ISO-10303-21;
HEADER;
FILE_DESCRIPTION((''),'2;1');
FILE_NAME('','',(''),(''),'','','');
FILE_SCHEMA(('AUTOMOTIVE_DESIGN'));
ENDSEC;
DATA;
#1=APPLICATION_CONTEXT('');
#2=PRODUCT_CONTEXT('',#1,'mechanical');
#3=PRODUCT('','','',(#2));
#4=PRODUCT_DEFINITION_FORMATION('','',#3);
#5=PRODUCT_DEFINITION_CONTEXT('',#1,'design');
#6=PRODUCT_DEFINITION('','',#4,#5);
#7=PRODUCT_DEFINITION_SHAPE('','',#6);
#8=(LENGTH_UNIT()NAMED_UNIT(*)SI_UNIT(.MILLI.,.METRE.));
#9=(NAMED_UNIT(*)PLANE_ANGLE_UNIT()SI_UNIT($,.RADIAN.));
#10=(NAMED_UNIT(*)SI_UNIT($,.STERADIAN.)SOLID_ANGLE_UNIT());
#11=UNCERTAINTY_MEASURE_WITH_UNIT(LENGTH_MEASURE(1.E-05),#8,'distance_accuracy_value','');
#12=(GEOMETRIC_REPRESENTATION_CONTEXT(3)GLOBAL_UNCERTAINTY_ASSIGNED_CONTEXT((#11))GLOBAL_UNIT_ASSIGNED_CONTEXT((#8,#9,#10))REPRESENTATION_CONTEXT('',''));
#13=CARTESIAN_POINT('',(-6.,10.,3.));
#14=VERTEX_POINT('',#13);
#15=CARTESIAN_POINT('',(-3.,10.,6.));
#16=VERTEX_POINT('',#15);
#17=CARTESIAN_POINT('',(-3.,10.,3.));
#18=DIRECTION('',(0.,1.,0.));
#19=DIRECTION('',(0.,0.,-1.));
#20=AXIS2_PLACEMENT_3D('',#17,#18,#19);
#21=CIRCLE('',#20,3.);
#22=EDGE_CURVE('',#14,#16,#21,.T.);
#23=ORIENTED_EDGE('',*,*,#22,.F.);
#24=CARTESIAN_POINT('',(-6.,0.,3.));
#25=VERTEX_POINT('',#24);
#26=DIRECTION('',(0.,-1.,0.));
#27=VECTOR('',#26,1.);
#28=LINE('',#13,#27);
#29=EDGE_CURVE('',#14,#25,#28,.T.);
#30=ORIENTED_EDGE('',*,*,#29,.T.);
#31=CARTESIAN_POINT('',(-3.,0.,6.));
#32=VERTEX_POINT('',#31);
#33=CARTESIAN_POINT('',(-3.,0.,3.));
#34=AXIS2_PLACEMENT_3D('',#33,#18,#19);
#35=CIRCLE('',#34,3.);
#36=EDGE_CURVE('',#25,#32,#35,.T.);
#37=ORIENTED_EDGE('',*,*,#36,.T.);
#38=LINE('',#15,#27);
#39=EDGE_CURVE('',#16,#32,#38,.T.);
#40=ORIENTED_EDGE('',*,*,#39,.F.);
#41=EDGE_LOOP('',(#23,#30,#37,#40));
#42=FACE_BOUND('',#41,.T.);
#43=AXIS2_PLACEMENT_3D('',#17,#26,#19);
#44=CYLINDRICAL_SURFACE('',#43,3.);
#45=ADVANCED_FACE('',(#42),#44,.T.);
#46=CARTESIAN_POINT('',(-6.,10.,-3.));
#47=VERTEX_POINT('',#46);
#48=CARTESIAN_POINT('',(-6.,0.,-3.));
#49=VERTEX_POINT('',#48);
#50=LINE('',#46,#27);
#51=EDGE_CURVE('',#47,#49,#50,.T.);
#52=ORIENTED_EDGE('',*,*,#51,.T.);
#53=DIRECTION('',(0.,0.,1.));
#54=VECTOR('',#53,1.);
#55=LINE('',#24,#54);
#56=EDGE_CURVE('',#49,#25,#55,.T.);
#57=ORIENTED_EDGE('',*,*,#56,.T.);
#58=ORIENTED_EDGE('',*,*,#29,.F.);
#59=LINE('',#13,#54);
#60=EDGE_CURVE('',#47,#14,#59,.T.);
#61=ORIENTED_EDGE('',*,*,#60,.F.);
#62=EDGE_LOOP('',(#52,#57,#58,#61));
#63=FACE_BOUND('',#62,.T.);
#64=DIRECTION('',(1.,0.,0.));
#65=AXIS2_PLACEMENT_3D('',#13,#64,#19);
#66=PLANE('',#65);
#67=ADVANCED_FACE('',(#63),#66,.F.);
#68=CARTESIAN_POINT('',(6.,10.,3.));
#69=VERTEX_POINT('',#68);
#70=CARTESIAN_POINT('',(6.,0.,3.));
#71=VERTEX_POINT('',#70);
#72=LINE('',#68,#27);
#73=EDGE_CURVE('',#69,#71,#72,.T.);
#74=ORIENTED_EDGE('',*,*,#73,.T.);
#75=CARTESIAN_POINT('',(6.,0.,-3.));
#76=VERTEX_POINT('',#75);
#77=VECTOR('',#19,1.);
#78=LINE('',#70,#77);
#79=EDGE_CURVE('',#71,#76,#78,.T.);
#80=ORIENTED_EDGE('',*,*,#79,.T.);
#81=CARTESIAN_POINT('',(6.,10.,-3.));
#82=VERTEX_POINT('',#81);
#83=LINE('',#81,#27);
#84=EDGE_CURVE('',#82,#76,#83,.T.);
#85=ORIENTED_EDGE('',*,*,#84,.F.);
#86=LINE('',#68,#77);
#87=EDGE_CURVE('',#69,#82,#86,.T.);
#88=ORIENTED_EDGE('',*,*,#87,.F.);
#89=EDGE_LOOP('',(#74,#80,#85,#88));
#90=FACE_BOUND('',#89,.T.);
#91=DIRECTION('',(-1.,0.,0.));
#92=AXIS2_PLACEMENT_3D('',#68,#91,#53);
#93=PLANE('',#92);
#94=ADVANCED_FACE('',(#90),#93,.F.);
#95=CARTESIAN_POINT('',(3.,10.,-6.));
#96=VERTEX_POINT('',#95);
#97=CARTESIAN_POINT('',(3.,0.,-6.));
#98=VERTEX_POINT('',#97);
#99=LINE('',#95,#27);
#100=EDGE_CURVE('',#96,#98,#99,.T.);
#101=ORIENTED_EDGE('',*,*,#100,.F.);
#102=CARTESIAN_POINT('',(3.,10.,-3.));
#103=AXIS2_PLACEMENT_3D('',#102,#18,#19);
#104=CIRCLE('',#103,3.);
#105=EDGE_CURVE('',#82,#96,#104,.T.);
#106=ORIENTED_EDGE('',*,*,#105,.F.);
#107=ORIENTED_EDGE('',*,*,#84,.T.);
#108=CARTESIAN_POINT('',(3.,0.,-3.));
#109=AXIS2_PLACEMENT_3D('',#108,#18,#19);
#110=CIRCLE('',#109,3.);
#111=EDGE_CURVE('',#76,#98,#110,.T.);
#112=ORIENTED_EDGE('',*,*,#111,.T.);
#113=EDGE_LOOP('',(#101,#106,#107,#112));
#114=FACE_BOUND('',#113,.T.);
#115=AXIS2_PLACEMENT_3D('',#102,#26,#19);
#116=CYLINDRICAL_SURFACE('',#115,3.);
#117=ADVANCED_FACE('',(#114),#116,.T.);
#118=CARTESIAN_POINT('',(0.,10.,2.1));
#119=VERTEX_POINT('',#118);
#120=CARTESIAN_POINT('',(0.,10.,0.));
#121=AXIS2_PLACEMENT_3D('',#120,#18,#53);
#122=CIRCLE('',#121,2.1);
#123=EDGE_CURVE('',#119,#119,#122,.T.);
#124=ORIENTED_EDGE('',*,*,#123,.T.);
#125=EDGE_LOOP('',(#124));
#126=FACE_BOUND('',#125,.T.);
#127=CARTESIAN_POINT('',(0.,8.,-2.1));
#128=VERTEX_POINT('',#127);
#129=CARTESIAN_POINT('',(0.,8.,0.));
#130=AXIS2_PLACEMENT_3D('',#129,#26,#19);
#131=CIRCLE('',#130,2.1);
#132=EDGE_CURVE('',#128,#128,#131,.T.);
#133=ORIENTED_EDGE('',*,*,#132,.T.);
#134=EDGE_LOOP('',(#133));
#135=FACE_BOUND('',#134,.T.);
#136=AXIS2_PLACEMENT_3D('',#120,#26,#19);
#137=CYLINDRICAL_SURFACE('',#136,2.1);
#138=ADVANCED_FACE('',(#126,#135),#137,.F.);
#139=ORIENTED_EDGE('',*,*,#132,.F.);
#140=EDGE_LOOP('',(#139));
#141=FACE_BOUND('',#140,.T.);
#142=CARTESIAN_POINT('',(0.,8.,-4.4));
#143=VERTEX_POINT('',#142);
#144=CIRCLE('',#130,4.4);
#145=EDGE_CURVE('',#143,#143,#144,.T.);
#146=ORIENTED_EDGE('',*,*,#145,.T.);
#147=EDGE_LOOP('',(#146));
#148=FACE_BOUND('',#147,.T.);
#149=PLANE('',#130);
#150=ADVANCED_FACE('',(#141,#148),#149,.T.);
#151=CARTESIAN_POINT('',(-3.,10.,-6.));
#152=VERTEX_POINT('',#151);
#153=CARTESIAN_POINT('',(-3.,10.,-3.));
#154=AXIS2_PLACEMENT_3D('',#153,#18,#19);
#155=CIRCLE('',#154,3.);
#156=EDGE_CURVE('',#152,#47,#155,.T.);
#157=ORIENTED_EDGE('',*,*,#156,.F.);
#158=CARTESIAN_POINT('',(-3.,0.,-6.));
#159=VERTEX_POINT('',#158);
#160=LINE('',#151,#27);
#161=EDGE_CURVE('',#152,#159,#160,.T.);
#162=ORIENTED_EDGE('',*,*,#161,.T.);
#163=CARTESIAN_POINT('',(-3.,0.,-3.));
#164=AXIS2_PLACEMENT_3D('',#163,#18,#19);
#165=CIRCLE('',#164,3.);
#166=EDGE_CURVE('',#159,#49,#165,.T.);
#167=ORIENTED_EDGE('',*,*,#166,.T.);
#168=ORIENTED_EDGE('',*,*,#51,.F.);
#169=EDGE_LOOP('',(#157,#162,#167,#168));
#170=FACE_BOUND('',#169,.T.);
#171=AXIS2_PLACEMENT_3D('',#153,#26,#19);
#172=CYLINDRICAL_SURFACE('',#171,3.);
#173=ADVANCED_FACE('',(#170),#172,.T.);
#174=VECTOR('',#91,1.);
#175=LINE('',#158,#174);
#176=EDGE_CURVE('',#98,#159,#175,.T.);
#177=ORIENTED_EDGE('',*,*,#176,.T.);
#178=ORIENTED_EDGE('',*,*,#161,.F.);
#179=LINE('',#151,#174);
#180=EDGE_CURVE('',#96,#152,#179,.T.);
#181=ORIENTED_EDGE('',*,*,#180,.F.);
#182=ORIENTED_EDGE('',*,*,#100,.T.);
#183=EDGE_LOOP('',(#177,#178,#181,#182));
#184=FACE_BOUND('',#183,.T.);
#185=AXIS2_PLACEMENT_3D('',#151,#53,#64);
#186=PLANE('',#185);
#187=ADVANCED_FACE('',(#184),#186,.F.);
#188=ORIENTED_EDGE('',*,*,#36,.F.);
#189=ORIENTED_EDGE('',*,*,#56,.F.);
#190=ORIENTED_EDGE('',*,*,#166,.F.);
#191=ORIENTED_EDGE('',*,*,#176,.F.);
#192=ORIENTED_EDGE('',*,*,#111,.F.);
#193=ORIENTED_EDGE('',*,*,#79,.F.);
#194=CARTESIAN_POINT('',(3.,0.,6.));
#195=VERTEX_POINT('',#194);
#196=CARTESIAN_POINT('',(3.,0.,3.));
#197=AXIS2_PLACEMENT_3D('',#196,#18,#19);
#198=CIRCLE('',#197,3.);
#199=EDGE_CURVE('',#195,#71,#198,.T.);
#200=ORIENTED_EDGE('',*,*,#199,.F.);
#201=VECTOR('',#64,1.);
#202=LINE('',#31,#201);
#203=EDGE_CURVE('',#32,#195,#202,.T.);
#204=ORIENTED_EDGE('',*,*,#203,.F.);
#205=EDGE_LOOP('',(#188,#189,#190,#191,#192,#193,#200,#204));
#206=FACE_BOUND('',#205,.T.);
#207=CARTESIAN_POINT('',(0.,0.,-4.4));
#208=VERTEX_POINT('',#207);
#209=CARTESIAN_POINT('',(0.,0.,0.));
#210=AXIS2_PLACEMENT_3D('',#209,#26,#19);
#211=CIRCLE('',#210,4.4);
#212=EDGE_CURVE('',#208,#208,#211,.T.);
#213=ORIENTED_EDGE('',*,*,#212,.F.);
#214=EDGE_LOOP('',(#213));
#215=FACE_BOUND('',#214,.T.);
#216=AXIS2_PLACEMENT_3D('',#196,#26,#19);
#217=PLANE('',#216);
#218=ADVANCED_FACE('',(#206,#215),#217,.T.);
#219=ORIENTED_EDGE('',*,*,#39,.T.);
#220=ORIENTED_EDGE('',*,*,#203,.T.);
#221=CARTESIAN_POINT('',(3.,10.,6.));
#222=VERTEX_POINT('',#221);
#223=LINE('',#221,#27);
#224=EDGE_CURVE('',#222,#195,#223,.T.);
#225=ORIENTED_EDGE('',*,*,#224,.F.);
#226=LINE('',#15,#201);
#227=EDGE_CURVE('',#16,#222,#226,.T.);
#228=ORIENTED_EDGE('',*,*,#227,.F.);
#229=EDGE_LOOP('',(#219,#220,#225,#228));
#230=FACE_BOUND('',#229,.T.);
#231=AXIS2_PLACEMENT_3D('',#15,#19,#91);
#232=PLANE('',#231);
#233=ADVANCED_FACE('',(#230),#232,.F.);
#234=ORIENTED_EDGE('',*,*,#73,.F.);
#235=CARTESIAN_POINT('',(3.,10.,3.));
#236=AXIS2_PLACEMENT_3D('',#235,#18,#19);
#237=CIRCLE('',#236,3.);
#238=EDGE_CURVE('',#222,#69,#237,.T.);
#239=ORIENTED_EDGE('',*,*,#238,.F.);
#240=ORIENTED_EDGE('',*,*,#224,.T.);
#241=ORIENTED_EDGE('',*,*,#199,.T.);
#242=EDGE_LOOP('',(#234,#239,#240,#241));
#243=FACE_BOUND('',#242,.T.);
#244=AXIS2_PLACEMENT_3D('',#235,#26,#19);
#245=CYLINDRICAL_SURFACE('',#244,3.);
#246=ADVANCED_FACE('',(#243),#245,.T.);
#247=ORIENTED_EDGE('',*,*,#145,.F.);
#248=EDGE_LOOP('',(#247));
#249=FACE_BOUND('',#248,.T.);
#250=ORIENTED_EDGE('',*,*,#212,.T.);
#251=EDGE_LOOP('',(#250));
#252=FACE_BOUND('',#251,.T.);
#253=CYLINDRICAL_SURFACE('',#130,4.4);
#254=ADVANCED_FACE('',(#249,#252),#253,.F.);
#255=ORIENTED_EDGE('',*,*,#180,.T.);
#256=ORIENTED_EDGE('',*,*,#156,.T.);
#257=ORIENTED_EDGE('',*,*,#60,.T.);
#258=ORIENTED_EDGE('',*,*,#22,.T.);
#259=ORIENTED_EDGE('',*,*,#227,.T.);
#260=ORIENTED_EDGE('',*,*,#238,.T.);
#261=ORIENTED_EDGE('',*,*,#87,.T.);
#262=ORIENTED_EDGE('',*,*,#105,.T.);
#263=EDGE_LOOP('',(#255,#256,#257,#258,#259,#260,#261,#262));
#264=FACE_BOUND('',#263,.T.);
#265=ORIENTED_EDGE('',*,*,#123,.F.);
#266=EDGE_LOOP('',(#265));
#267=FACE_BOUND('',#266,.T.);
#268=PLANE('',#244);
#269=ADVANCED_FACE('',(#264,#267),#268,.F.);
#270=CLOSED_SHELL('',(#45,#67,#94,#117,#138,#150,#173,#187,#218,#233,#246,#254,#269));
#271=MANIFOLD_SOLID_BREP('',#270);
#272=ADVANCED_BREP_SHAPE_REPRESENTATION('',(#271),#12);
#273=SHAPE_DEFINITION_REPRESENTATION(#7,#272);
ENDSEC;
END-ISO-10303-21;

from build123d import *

# Parameters (mm, degrees)
SKETCH1_R           = 2.1
BOSS_EXTRUDE1_DEPTH = 10
SKETCH2_R           = 4.4
CUT_EXTRUDE1_DEPTH  = 8


with BuildPart() as part:
    # Sketch1 → Boss-Extrude1 (new body)
    with BuildSketch(Plane(origin=(0, 0, 0), x_dir=(1, 0, 0), z_dir=(0, 1, 0))):
        with BuildLine():
            Line((-3, -6), (3, -6))
            ThreePointArc((3, -6), (5.121320344, -5.121320344), (6, -3))
            Line((6, -3), (6, 3))
            ThreePointArc((6, 3), (5.121320344, 5.121320344), (3, 6))
            Line((3, 6), (-3, 6))
            ThreePointArc((-3, 6), (-5.121320344, 5.121320344), (-6, 3))
            Line((-6, 3), (-6, -3))
            ThreePointArc((-6, -3), (-5.121320344, -5.121320344), (-3, -6))
        make_face()
        with Locations(Location((0, 0, 0), (0, 0, 270))):
            Circle(SKETCH1_R, mode=Mode.SUBTRACT)
    extrude(amount=BOSS_EXTRUDE1_DEPTH)

    # Sketch2 → Cut-Extrude1 (cut)
    with BuildSketch(Plane.XZ):
        with Locations(Location((0, 0, 0), (0, 0, 270))):
            Circle(SKETCH2_R)
    extrude(amount=-CUT_EXTRUDE1_DEPTH, mode=Mode.SUBTRACT)


solid = part.part
